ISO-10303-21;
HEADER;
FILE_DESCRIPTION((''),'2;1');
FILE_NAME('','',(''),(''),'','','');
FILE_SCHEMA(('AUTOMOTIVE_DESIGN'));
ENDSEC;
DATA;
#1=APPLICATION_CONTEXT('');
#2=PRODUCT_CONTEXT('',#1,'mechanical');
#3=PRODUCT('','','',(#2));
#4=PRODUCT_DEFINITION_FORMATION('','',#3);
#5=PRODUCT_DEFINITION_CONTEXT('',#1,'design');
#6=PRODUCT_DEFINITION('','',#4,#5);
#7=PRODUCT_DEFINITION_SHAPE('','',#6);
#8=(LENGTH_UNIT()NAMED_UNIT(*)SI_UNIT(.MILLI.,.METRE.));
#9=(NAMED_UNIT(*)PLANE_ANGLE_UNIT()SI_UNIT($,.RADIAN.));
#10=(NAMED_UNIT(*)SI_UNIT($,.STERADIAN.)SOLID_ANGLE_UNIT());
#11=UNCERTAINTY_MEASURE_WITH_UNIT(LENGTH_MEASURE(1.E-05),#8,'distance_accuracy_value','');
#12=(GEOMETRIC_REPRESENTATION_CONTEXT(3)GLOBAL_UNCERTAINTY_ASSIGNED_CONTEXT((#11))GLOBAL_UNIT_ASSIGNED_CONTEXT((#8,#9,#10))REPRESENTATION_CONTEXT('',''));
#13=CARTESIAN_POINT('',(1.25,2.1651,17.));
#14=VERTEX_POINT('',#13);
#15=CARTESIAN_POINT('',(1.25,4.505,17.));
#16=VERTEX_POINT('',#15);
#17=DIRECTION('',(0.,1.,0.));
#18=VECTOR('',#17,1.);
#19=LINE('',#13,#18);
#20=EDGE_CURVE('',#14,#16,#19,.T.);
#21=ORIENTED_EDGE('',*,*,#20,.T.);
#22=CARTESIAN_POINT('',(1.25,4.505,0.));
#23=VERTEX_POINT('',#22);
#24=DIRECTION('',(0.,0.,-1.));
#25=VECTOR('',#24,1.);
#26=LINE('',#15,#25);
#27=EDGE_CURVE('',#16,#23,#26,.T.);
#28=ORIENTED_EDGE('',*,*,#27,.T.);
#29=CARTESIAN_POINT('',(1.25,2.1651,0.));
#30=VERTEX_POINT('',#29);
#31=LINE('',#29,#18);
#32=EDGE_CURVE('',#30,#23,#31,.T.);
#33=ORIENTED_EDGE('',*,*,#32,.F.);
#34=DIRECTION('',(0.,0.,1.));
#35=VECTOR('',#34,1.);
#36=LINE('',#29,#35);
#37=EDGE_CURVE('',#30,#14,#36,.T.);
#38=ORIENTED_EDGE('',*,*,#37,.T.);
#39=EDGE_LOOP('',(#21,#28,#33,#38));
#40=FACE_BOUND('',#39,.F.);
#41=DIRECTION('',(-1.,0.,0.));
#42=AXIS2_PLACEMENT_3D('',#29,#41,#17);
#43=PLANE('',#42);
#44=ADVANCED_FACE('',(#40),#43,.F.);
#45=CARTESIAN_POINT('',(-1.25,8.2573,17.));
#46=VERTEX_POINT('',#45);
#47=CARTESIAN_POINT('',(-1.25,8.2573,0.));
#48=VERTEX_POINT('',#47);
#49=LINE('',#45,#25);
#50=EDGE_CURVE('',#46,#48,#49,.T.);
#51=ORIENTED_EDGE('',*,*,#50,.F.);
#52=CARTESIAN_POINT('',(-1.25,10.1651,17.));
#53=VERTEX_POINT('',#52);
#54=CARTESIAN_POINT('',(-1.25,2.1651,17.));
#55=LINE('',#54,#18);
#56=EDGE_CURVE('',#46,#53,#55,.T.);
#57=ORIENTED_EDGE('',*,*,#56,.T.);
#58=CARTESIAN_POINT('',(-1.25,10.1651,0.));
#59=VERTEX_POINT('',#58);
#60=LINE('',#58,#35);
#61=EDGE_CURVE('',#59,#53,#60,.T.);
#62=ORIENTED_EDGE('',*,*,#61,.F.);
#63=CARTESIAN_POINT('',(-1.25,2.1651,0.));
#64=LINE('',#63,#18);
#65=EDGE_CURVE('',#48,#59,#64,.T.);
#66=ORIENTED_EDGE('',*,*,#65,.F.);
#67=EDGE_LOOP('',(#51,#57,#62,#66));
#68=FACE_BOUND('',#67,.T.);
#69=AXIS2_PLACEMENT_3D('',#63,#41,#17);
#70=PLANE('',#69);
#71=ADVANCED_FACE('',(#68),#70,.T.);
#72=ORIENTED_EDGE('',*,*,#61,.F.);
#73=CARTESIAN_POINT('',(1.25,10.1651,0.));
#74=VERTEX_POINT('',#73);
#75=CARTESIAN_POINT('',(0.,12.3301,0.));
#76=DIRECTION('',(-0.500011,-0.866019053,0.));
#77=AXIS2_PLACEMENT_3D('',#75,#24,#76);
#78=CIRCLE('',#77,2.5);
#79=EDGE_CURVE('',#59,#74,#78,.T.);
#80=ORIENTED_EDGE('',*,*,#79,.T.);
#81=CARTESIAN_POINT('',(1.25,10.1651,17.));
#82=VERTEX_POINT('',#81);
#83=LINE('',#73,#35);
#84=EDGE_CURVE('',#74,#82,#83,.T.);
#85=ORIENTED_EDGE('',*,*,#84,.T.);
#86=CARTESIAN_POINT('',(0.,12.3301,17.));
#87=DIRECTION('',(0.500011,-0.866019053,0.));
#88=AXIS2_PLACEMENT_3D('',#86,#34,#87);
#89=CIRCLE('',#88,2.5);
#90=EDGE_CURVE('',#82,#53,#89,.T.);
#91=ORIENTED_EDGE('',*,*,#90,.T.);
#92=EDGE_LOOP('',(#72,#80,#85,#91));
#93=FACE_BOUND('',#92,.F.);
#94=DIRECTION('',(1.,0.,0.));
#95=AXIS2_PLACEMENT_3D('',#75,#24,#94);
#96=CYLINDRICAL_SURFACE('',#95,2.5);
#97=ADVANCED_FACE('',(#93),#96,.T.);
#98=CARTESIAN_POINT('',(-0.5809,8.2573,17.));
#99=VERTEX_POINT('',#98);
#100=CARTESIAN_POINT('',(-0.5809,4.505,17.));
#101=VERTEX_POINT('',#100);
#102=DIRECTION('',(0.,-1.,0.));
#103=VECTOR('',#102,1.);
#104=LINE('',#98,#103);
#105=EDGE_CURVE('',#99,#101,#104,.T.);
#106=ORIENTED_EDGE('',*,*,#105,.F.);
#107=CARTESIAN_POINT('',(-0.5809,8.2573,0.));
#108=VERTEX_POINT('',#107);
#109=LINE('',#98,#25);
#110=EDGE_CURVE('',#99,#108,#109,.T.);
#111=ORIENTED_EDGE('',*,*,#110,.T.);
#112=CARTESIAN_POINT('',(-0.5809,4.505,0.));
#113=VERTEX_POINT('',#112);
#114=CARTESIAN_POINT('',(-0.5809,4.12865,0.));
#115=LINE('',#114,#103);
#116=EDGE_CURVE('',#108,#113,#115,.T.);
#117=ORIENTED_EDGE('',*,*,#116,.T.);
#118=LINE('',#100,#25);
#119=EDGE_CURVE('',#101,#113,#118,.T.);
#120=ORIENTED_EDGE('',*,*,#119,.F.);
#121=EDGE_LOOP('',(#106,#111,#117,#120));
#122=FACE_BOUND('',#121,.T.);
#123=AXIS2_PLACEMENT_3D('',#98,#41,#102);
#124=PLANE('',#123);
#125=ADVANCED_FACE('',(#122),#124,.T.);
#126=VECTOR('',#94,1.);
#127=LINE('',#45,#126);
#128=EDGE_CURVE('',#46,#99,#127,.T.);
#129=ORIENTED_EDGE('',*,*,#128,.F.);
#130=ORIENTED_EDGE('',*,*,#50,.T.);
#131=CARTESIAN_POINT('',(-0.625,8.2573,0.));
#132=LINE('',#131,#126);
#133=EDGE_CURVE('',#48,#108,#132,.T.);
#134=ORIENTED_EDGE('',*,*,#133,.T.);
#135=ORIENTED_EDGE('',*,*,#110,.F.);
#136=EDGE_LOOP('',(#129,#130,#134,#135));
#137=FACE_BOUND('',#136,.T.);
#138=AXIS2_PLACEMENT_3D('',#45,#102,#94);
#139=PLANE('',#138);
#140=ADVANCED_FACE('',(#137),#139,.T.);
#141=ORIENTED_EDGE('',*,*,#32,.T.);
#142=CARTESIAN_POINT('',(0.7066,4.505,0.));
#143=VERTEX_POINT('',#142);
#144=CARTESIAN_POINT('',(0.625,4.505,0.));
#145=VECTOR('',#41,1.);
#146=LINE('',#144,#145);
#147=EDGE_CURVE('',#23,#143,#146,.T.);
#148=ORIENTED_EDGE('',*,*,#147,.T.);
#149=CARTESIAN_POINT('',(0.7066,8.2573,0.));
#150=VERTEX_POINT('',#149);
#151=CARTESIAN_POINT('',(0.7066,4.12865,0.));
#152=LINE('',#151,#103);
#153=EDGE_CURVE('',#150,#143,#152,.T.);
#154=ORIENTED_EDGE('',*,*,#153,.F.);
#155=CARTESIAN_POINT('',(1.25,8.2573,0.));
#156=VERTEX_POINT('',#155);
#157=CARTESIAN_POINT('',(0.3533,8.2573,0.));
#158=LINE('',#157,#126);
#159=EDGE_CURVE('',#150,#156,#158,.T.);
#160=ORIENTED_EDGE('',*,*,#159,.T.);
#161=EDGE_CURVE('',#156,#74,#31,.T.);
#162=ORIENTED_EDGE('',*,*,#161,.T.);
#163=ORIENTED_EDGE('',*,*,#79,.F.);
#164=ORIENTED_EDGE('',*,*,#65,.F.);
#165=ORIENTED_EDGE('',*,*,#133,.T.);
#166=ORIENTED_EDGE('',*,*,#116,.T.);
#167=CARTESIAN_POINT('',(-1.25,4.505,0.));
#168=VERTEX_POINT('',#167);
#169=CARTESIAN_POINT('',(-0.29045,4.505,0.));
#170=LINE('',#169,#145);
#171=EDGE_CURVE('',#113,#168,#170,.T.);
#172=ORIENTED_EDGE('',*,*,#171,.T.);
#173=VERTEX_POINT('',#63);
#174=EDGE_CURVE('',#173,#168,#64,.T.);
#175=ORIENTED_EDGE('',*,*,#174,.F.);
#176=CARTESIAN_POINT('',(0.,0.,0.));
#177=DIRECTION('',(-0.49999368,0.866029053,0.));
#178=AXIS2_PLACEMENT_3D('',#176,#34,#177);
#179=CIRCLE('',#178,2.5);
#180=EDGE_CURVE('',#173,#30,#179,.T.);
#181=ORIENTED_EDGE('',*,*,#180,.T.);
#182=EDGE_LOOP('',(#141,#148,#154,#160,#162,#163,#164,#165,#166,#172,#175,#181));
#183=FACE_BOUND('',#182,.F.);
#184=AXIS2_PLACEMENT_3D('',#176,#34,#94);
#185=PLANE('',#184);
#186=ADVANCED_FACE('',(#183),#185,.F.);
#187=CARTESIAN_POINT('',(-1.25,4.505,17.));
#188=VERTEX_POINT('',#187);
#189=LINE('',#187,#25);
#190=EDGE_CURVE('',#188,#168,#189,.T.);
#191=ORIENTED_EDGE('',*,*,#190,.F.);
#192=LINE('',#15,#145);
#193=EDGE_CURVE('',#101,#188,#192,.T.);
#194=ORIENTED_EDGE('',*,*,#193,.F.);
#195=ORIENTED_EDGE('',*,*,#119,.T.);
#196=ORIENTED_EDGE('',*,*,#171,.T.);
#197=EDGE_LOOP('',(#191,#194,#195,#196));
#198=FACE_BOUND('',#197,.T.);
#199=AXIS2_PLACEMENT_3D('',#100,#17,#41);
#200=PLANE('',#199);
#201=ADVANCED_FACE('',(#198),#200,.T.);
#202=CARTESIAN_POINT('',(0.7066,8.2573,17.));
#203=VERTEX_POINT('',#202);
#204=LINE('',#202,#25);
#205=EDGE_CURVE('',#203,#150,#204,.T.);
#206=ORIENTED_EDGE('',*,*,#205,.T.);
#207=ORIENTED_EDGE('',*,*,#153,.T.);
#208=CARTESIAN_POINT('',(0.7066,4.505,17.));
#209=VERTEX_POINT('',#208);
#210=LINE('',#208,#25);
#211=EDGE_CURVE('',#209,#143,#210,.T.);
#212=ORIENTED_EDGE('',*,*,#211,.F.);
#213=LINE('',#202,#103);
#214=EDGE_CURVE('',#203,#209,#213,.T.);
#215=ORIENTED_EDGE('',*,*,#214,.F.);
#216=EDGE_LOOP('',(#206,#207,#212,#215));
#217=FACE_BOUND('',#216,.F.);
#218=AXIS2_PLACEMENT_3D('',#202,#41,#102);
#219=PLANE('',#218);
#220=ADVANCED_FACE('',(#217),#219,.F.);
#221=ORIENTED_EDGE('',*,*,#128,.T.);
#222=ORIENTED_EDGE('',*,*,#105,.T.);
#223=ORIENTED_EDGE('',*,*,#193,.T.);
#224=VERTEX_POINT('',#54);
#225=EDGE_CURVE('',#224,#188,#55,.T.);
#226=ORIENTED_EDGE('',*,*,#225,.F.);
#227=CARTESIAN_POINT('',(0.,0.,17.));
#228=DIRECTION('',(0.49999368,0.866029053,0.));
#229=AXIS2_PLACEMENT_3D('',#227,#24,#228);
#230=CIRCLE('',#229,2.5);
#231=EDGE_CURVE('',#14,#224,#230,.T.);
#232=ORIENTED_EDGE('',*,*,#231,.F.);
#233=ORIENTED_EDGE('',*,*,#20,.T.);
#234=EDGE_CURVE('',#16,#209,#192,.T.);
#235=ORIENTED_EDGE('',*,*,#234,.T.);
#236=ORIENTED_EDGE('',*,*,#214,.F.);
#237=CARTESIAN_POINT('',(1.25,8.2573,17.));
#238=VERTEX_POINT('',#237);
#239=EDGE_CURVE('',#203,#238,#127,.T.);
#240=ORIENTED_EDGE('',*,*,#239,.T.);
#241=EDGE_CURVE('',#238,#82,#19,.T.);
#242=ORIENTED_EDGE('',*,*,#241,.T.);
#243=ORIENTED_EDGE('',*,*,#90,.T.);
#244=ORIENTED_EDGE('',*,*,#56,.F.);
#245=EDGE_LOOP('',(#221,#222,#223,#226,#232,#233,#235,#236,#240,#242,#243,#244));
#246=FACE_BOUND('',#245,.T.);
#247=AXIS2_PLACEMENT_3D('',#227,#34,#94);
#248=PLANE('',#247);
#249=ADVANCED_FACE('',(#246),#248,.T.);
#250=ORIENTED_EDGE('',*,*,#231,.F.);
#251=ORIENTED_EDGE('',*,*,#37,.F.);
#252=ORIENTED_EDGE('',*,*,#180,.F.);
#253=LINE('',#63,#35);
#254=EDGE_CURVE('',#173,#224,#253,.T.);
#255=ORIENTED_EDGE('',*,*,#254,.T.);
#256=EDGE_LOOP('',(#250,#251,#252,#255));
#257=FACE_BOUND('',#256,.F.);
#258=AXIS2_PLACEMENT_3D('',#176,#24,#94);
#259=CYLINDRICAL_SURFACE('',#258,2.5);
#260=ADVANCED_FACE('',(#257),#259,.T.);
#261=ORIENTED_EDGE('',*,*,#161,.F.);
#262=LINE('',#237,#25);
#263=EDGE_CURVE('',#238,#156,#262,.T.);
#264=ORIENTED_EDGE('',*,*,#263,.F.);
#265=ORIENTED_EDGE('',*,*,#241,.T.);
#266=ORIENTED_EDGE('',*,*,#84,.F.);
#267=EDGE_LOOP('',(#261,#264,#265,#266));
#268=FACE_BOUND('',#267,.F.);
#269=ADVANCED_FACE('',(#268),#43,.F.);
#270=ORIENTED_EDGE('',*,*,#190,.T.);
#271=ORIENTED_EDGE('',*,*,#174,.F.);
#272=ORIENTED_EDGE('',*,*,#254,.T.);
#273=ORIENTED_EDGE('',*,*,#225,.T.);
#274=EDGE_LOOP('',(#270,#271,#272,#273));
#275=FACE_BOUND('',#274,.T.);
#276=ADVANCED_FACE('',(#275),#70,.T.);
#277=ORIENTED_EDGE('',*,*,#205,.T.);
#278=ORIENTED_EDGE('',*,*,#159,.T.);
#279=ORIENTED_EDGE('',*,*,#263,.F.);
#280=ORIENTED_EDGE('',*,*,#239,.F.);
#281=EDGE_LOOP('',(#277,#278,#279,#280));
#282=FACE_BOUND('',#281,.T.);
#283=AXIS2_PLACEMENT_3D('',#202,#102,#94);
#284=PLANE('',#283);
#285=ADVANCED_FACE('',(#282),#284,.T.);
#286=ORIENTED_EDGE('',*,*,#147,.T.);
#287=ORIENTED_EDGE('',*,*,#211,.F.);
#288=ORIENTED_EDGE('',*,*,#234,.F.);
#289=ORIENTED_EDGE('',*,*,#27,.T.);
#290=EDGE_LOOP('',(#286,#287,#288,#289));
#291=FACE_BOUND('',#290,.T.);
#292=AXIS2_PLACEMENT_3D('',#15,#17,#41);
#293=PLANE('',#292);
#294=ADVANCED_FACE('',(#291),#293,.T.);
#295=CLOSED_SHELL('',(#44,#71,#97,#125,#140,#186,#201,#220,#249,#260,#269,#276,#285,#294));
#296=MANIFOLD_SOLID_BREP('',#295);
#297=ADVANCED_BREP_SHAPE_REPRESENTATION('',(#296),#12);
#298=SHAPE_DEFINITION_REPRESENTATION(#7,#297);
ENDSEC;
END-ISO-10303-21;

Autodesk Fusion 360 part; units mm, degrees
sketch "Sketch1" plane through (0, 0, 0) normal (0, 0, 1) x (1, 0, 0)
  circle A0 centre (0, 0) radius 2.5
  line L0 (-1.25, 2.1651) -> (-1.25, 10.1651)
  line L1 (1.25, 2.1651) -> (1.25, 10.1651)
  circle A1 centre (0, 12.3301) radius 2.5
  dimension "d1" = 5
  dimension "d3" = 2.5
  dimension "d4" = 1.25
  dimension "d5" = 5
  dimension "d6" = 8
  dimension "d7" = 8
extrude "Extrude1" add sketch "Sketch1" along normal blind 17
sketch "Sketch2" plane through (0, 0, 17) normal (0, 0, 1) x (-1, 0, 0)
  arc A0 (1.25, -2.1651) -> (-1.25, -2.1651) centre (0, 0) ccw
  line L0 (-1.25, -2.1651) -> (-1.25, -10.1651)
  arc A1 (-1.25, -10.1651) -> (1.25, -10.1651) centre (0, -12.3301) ccw
  line L1 (1.25, -10.1651) -> (1.25, -2.1651)
  line L2 (1.25, -8.2573) -> (-1.25, -8.2573)
  line L3 (-1.25, -8.2573) -> (-1.25, -4.505)
  line L4 (-1.25, -4.505) -> (1.25, -4.505)
  line L5 (1.25, -4.505) -> (1.25, -8.2573)
  line L6 (0.5809, -8.2573) -> (0.5809, -4.505)
  line L7 (-0.7066, -8.2573) -> (-0.7066, -4.505)
extrude "Extrude2" cut sketch "Sketch2" against normal blind 18 contours L1 L2 L4 L5 L6 | L0 L2 L3 L4 L7
